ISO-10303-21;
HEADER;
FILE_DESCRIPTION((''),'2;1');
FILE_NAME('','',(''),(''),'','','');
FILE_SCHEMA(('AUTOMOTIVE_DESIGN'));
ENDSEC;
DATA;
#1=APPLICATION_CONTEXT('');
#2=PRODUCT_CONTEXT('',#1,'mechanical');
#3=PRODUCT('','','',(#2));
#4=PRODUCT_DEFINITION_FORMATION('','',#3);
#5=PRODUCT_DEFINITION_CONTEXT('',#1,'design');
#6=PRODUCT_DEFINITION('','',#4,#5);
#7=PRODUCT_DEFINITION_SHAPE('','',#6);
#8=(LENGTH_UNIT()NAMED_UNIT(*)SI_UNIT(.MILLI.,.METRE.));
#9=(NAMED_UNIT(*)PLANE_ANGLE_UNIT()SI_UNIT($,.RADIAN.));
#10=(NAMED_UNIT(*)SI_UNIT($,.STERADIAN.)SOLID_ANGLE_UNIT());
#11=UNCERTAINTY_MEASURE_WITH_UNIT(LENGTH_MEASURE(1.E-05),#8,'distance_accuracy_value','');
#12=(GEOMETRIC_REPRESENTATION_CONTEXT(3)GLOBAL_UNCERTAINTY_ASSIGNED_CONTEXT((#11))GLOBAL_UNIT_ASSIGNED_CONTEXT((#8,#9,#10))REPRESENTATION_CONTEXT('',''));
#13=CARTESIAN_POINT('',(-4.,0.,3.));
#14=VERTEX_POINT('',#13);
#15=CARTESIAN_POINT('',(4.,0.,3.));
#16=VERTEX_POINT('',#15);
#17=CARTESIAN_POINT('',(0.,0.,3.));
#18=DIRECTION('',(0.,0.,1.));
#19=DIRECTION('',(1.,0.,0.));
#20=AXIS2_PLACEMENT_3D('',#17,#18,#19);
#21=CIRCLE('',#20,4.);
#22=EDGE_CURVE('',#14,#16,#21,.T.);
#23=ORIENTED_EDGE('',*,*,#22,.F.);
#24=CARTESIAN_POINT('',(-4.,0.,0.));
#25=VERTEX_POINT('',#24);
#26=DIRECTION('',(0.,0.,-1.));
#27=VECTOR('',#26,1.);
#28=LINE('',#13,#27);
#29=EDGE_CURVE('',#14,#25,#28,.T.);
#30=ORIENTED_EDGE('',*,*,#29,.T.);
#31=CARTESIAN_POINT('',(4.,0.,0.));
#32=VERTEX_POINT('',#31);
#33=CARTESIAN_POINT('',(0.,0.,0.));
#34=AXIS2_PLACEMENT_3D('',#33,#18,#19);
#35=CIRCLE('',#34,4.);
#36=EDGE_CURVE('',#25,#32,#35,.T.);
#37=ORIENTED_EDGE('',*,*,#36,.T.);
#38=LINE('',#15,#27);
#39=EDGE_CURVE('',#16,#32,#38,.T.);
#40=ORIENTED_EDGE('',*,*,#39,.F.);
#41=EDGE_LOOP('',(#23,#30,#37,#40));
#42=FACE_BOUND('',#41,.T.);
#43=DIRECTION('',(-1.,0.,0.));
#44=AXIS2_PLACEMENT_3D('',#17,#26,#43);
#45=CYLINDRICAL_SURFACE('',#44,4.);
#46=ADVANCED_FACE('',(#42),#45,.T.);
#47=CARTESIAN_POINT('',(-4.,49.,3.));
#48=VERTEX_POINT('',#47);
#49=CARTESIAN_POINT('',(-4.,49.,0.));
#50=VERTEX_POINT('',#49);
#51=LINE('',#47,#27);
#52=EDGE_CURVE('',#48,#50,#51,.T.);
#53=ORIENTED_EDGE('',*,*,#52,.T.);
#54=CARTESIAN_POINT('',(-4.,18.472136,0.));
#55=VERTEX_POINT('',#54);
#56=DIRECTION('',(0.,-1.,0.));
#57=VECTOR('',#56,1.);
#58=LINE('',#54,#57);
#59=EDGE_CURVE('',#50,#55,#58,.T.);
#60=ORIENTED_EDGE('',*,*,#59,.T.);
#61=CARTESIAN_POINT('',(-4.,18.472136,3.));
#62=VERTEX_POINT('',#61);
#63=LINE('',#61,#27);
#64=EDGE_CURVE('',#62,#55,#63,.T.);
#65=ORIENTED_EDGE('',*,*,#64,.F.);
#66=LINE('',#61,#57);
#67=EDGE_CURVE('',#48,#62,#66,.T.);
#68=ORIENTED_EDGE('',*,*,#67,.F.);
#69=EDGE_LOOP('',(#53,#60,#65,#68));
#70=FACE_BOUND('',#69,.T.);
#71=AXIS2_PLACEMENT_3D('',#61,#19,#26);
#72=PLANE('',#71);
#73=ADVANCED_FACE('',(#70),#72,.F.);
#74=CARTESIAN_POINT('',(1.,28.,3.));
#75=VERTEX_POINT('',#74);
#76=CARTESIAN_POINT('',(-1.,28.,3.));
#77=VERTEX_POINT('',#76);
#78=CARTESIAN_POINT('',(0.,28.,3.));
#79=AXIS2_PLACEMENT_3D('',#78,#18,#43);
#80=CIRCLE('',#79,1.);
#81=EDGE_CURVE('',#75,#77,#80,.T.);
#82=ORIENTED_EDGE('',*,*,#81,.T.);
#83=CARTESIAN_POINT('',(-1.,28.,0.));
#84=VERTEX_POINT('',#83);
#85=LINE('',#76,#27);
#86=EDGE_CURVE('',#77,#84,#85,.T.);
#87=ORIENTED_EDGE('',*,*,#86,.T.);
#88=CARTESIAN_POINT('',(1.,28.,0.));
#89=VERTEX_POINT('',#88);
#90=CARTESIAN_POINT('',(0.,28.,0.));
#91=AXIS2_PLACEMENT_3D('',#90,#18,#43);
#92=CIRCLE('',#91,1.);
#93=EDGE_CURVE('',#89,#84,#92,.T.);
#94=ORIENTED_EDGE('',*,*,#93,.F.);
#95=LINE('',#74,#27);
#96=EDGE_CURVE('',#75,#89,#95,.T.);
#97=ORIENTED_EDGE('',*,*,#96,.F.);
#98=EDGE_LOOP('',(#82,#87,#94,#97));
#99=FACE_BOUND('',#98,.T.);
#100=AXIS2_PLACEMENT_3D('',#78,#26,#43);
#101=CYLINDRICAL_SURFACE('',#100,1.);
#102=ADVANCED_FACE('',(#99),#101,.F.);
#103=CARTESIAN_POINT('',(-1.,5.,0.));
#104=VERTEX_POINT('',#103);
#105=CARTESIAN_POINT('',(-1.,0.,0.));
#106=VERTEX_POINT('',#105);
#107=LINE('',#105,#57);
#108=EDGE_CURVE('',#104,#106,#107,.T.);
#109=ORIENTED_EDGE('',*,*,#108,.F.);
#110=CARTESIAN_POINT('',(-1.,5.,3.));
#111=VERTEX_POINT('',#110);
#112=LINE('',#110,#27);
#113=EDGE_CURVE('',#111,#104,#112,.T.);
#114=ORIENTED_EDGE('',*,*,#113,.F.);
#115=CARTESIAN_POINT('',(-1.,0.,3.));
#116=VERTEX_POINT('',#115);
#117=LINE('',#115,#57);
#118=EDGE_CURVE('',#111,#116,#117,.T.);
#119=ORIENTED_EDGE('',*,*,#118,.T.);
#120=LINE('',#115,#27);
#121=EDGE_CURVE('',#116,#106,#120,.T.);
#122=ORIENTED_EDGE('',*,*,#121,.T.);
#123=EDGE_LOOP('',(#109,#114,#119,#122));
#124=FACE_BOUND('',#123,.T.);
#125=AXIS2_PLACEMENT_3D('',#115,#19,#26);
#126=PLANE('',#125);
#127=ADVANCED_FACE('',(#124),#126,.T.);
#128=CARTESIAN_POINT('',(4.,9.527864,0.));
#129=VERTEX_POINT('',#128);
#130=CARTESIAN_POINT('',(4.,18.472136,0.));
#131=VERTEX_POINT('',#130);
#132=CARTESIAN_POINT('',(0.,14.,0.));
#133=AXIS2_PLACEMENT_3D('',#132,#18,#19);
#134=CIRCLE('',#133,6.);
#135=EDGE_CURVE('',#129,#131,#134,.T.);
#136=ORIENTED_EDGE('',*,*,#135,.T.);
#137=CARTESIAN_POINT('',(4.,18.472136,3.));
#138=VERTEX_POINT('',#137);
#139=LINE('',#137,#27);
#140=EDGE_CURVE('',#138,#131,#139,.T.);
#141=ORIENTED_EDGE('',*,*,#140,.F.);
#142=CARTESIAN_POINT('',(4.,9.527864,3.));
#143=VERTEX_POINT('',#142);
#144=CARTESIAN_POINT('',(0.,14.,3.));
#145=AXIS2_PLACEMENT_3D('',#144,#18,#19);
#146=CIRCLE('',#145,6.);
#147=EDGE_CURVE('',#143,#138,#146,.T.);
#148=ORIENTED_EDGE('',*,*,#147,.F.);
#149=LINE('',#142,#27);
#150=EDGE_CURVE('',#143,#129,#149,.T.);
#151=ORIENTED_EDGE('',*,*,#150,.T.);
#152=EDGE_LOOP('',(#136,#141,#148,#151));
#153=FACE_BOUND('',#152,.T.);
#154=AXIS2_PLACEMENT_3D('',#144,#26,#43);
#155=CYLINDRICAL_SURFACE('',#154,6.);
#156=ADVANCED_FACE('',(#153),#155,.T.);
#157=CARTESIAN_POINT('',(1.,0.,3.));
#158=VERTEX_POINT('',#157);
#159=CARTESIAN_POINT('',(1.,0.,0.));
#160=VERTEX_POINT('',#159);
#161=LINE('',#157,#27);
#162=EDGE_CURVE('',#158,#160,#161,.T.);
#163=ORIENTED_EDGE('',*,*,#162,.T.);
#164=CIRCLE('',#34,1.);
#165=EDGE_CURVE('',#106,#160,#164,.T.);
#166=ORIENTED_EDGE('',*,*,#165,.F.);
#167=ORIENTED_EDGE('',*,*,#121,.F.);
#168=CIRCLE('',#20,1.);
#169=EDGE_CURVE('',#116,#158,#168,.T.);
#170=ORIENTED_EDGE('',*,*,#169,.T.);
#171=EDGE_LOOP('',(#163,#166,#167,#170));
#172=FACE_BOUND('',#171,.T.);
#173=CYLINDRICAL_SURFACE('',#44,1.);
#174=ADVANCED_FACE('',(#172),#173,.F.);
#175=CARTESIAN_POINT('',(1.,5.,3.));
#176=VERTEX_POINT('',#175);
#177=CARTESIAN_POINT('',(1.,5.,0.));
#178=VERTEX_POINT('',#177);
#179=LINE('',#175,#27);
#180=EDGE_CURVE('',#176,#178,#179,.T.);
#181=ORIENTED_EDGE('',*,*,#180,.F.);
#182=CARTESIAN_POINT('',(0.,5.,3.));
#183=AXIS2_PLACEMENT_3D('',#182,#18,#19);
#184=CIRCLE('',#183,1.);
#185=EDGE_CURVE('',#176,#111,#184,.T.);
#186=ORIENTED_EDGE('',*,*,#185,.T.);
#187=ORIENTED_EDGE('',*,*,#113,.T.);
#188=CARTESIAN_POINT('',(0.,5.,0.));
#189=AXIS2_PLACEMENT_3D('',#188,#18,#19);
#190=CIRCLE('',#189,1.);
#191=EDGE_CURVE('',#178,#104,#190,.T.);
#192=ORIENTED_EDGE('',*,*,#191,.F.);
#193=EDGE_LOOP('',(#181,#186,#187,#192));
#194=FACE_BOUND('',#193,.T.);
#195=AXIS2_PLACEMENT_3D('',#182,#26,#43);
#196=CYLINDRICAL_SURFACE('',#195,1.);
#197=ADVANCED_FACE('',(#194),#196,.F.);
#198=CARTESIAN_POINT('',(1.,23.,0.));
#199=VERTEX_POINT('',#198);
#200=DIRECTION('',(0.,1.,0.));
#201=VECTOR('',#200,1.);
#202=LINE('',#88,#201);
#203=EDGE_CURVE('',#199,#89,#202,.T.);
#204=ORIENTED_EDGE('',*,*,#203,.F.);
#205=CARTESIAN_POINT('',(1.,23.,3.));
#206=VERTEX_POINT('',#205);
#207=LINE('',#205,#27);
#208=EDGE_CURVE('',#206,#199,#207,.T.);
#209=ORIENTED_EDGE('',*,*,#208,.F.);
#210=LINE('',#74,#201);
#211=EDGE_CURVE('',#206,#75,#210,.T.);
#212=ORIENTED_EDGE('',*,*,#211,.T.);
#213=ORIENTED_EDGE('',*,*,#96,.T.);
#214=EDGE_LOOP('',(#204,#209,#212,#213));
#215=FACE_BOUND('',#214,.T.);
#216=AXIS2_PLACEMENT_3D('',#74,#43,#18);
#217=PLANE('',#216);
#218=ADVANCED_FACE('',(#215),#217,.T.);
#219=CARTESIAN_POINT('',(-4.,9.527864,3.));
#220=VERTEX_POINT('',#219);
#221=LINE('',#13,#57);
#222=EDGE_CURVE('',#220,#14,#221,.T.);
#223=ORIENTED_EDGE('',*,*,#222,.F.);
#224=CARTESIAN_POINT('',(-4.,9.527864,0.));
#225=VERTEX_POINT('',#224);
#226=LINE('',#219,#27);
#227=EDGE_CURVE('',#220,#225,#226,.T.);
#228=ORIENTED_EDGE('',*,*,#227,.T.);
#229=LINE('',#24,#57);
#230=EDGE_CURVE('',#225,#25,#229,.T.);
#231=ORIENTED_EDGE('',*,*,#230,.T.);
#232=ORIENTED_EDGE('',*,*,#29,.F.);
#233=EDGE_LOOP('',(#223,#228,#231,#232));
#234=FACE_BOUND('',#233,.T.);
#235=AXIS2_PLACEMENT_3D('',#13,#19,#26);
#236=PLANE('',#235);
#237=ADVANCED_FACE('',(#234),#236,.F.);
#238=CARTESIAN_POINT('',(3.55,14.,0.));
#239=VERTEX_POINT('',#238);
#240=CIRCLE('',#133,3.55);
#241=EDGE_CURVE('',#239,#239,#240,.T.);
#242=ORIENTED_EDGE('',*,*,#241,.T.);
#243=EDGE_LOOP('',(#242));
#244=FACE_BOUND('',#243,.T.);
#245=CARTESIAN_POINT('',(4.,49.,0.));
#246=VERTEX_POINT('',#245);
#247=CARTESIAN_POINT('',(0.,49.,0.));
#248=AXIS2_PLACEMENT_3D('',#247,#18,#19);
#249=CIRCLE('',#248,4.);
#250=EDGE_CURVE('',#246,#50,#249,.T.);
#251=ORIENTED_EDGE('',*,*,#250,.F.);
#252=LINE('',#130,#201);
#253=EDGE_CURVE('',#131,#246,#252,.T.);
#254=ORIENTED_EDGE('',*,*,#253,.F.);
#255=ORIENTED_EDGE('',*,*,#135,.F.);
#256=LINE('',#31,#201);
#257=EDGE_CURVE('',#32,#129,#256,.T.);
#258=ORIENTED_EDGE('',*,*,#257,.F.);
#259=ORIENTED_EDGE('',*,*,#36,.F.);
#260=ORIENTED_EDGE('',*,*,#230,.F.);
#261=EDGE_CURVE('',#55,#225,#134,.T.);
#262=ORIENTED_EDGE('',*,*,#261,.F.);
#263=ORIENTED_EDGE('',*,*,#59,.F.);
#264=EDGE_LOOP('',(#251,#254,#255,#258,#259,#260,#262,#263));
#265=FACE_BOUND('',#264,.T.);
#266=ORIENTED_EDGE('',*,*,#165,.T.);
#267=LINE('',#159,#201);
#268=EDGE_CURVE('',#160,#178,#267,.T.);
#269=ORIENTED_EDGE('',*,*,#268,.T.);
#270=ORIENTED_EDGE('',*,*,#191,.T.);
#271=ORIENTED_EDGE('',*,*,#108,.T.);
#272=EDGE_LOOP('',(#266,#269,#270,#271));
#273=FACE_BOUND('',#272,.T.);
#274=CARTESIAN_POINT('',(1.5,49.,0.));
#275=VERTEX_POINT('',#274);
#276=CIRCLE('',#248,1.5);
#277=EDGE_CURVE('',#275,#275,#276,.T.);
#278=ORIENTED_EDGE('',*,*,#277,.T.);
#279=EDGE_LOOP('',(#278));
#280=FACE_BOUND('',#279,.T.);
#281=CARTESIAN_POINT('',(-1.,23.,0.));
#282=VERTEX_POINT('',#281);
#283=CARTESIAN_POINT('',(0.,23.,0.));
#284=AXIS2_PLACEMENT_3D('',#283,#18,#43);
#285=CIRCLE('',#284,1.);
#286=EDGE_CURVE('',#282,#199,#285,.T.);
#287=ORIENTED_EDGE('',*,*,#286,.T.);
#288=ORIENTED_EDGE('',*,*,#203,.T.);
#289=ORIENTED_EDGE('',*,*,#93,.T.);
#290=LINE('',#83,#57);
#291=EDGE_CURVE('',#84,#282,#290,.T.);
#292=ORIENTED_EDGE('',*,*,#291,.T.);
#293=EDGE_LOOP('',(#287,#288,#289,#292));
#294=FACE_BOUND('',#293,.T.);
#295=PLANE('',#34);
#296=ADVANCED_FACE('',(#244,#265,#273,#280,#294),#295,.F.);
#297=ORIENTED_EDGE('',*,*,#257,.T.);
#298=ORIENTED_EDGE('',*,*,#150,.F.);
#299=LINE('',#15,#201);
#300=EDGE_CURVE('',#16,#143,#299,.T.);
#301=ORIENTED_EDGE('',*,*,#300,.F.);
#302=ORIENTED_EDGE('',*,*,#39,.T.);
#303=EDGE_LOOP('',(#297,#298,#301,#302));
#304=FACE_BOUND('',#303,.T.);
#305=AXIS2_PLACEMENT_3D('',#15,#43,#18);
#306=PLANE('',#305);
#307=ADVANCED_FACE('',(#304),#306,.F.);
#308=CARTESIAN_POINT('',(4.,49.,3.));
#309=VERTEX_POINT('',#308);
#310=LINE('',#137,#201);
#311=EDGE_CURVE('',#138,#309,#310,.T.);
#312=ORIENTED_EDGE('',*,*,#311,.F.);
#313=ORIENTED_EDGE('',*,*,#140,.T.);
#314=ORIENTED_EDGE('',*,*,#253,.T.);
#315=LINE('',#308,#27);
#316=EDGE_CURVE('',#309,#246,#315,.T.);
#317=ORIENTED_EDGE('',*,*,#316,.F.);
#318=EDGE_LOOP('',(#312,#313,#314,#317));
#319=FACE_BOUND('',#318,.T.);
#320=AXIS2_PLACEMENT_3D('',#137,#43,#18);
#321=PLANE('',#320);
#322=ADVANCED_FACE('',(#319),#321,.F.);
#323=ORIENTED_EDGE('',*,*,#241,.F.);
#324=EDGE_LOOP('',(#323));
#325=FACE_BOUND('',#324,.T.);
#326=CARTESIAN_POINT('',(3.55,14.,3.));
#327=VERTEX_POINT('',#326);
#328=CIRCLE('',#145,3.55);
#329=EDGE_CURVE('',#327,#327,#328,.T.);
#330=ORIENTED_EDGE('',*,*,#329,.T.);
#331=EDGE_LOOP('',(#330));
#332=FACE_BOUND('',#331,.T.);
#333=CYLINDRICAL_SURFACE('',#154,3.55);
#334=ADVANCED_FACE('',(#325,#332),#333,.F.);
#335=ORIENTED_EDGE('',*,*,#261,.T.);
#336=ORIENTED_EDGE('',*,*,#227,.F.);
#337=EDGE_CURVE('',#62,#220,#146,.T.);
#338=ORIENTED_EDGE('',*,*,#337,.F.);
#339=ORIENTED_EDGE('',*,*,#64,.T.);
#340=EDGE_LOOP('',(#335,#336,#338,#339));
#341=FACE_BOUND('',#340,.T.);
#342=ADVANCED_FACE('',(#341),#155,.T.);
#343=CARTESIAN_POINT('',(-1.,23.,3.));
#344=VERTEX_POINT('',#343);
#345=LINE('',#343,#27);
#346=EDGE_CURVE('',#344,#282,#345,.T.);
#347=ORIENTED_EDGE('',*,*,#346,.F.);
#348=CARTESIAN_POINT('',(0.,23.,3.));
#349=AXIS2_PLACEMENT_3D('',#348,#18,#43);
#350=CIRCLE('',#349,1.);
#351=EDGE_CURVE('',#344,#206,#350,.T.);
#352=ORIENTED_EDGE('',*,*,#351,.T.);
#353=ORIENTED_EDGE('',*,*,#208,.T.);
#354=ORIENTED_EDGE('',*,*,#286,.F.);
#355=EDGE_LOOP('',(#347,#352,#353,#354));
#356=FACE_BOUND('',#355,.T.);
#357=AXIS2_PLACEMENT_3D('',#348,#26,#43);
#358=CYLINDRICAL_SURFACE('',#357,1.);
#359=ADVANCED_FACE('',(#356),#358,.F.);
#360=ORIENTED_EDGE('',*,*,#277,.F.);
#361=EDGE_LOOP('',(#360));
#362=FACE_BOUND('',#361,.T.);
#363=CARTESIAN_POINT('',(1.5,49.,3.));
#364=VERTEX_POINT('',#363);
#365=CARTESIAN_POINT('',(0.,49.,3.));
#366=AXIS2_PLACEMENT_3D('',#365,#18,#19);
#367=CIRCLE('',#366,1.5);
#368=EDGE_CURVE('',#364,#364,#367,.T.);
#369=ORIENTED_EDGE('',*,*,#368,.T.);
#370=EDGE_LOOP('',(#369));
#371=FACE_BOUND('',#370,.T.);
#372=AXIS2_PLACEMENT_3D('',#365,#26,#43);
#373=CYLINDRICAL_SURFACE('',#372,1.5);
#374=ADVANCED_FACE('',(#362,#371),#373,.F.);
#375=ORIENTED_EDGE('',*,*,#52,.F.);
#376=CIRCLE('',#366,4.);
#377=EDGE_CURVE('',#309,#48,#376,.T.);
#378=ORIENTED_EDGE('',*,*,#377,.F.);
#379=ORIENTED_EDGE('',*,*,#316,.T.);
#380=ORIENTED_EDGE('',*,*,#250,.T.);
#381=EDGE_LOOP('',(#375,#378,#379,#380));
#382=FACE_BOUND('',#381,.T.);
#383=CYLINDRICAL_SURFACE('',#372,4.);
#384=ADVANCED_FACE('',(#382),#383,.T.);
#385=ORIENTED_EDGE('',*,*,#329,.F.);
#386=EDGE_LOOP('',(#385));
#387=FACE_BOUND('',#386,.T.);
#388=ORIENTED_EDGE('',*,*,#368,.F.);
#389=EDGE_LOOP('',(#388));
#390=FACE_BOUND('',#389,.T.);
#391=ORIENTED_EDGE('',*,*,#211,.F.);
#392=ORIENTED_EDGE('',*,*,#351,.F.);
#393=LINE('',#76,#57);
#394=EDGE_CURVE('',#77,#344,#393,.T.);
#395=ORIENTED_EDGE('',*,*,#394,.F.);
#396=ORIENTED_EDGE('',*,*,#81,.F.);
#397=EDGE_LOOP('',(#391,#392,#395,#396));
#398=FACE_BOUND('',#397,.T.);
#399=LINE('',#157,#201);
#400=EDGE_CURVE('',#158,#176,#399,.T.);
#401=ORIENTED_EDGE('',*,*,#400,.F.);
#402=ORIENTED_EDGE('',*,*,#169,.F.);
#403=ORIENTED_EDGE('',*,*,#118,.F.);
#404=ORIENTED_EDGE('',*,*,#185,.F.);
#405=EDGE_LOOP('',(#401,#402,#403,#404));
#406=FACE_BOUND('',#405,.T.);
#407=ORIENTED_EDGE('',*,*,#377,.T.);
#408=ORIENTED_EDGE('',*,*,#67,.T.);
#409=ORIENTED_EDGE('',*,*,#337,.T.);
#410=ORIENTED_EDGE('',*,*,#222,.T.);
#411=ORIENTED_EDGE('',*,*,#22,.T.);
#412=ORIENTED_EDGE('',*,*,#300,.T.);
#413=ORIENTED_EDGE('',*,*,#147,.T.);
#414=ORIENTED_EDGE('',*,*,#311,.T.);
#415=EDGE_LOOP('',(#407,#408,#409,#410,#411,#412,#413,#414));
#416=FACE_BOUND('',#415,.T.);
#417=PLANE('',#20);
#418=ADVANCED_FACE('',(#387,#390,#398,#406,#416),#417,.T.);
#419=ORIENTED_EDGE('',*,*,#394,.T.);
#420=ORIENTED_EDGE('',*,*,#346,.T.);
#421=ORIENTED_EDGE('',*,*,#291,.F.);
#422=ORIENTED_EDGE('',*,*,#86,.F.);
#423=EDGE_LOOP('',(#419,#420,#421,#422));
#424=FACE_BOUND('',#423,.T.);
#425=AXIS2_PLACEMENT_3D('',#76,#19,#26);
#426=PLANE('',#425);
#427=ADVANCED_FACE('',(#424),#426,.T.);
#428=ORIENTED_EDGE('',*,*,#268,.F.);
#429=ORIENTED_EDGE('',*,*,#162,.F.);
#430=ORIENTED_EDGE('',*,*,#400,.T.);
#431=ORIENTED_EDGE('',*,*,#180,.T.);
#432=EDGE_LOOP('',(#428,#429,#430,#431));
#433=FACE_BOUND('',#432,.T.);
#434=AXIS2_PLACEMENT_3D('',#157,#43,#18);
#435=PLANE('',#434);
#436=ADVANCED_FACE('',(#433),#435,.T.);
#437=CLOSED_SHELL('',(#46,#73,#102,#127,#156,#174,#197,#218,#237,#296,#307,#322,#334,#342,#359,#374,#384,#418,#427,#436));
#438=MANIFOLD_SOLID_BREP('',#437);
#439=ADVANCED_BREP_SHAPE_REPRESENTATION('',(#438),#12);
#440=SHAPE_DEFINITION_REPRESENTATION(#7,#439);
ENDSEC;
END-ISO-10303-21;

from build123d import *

# Parameters (mm, degrees)
SKETCH1_R           = 3.55
SKETCH1_R_2         = 1.5
BOSS_EXTRUDE1_DEPTH = 3


with BuildPart() as part:
    # Sketch1 → Boss-Extrude1 (new body)
    with BuildSketch(Plane.XY):
        with BuildLine():
            Line((4, 0), (4, 9.527864045))
            ThreePointArc((4, 9.527864045), (6, 14), (4, 18.472135955))
            Line((4, 18.472135955), (4, 49))
            ThreePointArc((4, 49), (0, 53), (-4, 49))
            Line((-4, 49), (-4, 18.472135955))
            ThreePointArc((-4, 18.472135955), (-6, 14), (-4, 9.527864045))
            Line((-4, 9.527864045), (-4, 0))
            ThreePointArc((-4, 0), (0, -4), (4, 0))
        make_face()
        with Locations((0, 14)):
            Circle(SKETCH1_R, mode=Mode.SUBTRACT)
        with Locations((0, 49)):
            Circle(SKETCH1_R_2, mode=Mode.SUBTRACT)
        with BuildLine():
            Line((-1, 0), (-1, 5))
            ThreePointArc((-1, 5), (0, 6), (1, 5))
            Line((1, 5), (1, 0))
            ThreePointArc((1, 0), (0, -1), (-1, 0))
        make_face(mode=Mode.SUBTRACT)
        with BuildLine():
            Line((-1, 28), (-1, 23))
            ThreePointArc((-1, 23), (0, 22), (1, 23))
            Line((1, 23), (1, 28))
            ThreePointArc((1, 28), (0, 29), (-1, 28))
        make_face(mode=Mode.SUBTRACT)
    extrude(amount=BOSS_EXTRUDE1_DEPTH)


solid = part.part
